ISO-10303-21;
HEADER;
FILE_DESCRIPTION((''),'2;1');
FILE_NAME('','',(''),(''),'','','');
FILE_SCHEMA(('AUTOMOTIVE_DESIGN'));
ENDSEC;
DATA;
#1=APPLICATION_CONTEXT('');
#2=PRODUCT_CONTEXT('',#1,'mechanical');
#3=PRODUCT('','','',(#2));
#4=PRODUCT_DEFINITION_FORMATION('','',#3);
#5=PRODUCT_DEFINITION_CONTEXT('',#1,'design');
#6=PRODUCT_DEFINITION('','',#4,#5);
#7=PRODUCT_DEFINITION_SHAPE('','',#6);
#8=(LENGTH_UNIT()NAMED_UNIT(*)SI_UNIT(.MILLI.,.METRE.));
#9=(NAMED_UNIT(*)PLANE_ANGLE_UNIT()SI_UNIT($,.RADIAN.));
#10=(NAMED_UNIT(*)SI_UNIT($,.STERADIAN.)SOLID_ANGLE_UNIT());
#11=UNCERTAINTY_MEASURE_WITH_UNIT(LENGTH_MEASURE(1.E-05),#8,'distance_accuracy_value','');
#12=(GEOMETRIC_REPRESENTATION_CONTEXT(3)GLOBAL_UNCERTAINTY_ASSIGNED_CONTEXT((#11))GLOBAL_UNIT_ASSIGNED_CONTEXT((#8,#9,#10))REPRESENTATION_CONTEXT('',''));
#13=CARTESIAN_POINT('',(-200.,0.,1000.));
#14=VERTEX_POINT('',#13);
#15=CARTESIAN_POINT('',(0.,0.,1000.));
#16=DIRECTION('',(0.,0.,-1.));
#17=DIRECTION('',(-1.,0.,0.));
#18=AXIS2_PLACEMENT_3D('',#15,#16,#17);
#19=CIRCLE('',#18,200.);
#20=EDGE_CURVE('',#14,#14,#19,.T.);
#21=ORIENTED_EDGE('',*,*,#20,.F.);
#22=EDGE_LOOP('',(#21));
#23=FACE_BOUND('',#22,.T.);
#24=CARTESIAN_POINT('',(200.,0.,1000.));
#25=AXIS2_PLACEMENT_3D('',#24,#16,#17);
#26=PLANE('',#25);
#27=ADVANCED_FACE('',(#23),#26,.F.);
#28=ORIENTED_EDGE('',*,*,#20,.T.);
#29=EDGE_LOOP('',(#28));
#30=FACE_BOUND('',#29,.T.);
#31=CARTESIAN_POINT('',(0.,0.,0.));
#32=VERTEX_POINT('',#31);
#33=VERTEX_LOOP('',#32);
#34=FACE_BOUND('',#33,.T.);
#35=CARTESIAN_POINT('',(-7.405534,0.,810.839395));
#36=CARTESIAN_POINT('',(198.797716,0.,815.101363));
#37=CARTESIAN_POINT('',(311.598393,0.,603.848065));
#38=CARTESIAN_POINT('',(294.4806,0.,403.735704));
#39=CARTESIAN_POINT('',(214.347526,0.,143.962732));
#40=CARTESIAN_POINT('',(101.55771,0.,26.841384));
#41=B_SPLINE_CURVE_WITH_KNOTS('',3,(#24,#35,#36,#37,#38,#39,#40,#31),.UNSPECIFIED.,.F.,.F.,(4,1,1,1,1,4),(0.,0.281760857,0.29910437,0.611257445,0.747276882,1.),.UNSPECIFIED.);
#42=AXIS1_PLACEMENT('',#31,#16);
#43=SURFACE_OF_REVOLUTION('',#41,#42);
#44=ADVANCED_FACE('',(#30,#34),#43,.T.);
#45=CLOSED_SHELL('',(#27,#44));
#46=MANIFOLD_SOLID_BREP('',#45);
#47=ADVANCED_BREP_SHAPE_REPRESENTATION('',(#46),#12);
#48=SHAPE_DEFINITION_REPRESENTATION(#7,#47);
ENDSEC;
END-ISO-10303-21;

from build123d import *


with BuildPart() as part:
    # Sketch2 → Revolve4 (revolve)
    with BuildSketch(Plane(origin=(0, 0, 0), x_dir=(1, 0, 0), z_dir=(0, 1, 0))):
        with BuildLine():
            Line((200, -1000), (0, -1000))
            Line((0, -1000), (0, 0))
            add(Edge.make_bspline(
                [(0, 0), (101.557710259, -26.841383844), (214.347525711, -143.962732414), (294.480599989, -403.735703893), (311.598393321, -603.84806482), (198.797715862, -815.10136326), (-7.405534242, -810.839395017), (200, -1000)],
                knots=[0, 0, 0, 0, 0.252723118, 0.388742555, 0.70089563, 0.718239143, 1, 1, 1, 1], degree=3))
        make_face()
    revolve(axis=Axis((0, 0, 0), (0, 0, 1)))


solid = part.part
